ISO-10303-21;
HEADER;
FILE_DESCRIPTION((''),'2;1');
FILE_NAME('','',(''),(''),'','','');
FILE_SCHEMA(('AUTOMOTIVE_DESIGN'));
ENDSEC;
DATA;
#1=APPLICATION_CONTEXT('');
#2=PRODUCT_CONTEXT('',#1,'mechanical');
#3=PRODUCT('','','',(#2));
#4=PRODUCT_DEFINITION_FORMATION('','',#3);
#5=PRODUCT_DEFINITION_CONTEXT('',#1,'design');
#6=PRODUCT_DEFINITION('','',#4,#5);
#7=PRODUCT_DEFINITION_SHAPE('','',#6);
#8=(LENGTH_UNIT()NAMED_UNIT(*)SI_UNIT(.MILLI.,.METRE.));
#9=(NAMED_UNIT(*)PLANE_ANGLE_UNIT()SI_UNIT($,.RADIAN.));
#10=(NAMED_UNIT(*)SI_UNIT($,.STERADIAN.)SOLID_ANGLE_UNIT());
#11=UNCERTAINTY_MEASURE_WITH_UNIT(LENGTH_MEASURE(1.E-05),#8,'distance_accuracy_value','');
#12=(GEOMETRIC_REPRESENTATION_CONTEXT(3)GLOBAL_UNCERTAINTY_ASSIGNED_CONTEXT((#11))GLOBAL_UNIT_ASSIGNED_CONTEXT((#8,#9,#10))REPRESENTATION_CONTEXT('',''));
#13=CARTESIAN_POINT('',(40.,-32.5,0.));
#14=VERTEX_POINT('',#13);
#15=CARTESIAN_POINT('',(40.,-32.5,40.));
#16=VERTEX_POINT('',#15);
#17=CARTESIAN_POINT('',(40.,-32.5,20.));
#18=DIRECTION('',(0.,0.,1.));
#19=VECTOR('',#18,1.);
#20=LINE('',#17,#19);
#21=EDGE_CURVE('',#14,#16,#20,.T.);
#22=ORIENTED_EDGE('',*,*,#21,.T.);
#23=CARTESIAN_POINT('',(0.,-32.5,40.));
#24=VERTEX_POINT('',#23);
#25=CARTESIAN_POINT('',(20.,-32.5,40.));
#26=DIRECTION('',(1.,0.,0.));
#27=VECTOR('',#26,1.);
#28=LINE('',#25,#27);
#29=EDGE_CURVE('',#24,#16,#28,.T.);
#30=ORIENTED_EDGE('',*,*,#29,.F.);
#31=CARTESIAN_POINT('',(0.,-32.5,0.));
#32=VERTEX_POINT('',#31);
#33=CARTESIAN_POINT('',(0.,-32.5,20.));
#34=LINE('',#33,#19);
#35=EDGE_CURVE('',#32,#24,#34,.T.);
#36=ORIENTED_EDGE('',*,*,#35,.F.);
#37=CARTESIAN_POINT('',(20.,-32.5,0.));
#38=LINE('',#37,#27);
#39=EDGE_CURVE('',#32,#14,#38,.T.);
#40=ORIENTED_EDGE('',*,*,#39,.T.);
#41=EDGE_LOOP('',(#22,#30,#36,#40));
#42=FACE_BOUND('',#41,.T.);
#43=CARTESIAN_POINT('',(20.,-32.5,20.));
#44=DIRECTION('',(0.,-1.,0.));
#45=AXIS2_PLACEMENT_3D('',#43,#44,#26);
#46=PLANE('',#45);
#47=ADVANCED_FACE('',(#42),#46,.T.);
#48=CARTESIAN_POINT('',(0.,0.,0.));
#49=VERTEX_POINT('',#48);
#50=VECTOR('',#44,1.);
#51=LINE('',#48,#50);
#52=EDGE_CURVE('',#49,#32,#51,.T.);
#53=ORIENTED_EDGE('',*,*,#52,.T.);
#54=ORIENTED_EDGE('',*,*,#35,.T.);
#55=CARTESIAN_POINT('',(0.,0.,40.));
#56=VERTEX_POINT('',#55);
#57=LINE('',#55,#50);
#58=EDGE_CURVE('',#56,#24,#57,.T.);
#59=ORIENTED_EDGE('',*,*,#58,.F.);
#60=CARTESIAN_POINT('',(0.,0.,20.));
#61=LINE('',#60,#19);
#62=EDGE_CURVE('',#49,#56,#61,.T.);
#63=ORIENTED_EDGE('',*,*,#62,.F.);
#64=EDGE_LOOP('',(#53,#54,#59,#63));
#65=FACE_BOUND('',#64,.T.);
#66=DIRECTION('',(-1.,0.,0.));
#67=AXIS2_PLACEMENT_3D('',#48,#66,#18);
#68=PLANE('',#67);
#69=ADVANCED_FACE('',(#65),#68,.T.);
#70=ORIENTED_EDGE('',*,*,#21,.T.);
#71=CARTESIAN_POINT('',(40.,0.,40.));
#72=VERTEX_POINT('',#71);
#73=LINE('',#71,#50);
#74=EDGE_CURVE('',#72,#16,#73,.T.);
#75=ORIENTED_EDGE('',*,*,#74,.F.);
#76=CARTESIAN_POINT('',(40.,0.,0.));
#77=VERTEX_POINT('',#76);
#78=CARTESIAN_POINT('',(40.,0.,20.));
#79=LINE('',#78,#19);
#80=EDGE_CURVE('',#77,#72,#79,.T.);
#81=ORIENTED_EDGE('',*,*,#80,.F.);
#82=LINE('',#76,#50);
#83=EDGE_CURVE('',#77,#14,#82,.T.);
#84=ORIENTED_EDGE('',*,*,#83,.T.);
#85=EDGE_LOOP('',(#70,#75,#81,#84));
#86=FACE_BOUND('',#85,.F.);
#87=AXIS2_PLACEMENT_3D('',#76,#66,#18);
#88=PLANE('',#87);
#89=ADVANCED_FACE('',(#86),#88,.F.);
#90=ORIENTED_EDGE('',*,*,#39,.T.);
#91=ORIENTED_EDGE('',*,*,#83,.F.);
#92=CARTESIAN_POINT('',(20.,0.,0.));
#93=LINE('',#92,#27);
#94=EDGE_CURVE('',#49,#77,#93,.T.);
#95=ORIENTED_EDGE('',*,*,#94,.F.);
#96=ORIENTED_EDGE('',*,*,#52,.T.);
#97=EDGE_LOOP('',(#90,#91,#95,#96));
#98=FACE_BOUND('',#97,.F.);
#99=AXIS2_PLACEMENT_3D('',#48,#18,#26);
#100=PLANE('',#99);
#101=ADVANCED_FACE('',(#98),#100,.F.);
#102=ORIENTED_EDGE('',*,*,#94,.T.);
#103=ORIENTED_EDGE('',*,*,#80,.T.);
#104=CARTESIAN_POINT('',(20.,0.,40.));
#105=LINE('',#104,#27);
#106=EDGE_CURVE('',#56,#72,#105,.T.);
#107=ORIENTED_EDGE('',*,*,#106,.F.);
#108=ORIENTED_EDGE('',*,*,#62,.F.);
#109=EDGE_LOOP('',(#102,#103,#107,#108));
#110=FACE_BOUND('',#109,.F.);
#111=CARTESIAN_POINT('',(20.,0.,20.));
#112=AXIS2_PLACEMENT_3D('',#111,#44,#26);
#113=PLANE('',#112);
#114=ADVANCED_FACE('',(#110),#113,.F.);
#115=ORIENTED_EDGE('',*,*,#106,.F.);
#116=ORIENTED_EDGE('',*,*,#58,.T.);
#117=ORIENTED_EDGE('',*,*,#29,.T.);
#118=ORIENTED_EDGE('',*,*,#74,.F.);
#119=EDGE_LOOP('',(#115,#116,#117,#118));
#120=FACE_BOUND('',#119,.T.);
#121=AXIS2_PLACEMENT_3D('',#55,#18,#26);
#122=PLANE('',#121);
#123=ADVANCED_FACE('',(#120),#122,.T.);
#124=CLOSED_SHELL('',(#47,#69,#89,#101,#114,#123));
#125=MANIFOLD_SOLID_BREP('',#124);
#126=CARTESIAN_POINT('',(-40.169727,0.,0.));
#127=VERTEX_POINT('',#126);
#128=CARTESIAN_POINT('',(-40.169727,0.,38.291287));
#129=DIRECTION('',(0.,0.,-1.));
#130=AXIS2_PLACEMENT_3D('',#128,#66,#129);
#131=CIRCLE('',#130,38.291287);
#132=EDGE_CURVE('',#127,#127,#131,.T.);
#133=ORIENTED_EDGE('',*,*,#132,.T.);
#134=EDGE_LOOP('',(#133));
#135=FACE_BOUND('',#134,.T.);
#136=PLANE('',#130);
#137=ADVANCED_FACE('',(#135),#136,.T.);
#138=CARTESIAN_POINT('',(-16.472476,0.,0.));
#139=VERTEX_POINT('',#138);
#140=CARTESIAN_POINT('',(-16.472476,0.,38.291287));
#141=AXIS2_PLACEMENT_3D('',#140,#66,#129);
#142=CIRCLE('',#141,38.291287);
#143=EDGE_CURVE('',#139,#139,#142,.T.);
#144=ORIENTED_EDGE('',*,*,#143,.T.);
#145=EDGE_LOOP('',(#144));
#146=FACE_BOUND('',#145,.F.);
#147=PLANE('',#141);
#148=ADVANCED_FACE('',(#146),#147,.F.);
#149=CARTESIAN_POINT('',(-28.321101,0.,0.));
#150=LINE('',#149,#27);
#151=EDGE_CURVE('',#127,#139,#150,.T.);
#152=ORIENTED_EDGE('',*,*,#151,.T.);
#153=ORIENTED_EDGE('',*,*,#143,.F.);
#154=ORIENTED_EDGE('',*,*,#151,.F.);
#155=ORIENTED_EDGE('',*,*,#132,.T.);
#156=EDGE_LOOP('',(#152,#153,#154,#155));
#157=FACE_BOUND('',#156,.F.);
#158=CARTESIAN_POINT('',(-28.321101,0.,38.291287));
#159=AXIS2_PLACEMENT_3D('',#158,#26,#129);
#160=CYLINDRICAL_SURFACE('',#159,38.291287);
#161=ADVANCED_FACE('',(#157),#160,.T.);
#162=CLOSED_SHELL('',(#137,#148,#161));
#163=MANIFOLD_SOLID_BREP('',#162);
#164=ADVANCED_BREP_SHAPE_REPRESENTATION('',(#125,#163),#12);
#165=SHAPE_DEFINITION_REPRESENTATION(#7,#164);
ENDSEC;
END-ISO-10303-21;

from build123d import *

# Parameters (mm, degrees)
F0_W     = 40
F0_H     = 40
F1_DEPTH = 32.5
F2_W     = 23.697251454
F2_H     = 38.2912866771


with BuildPart() as f1:
    # F0 (on Front) → F1 (new body)
    with BuildSketch(Plane.XZ):
        with Locations((20, 20)):
            Rectangle(F0_W, F0_H)
    extrude(amount=F1_DEPTH)


with BuildPart() as f3:
    # F2 (on Front) → F3 (revolve)
    with BuildSketch(Plane.XZ):
        with Locations((-28.3211013302, 19.1456433386)):
            Rectangle(F2_W, F2_H)
    revolve(axis=Axis((-52.8853219002, 0, 38.2912866771), (-1, 0, 0)))


solid = Compound([f1.part, f3.part])
